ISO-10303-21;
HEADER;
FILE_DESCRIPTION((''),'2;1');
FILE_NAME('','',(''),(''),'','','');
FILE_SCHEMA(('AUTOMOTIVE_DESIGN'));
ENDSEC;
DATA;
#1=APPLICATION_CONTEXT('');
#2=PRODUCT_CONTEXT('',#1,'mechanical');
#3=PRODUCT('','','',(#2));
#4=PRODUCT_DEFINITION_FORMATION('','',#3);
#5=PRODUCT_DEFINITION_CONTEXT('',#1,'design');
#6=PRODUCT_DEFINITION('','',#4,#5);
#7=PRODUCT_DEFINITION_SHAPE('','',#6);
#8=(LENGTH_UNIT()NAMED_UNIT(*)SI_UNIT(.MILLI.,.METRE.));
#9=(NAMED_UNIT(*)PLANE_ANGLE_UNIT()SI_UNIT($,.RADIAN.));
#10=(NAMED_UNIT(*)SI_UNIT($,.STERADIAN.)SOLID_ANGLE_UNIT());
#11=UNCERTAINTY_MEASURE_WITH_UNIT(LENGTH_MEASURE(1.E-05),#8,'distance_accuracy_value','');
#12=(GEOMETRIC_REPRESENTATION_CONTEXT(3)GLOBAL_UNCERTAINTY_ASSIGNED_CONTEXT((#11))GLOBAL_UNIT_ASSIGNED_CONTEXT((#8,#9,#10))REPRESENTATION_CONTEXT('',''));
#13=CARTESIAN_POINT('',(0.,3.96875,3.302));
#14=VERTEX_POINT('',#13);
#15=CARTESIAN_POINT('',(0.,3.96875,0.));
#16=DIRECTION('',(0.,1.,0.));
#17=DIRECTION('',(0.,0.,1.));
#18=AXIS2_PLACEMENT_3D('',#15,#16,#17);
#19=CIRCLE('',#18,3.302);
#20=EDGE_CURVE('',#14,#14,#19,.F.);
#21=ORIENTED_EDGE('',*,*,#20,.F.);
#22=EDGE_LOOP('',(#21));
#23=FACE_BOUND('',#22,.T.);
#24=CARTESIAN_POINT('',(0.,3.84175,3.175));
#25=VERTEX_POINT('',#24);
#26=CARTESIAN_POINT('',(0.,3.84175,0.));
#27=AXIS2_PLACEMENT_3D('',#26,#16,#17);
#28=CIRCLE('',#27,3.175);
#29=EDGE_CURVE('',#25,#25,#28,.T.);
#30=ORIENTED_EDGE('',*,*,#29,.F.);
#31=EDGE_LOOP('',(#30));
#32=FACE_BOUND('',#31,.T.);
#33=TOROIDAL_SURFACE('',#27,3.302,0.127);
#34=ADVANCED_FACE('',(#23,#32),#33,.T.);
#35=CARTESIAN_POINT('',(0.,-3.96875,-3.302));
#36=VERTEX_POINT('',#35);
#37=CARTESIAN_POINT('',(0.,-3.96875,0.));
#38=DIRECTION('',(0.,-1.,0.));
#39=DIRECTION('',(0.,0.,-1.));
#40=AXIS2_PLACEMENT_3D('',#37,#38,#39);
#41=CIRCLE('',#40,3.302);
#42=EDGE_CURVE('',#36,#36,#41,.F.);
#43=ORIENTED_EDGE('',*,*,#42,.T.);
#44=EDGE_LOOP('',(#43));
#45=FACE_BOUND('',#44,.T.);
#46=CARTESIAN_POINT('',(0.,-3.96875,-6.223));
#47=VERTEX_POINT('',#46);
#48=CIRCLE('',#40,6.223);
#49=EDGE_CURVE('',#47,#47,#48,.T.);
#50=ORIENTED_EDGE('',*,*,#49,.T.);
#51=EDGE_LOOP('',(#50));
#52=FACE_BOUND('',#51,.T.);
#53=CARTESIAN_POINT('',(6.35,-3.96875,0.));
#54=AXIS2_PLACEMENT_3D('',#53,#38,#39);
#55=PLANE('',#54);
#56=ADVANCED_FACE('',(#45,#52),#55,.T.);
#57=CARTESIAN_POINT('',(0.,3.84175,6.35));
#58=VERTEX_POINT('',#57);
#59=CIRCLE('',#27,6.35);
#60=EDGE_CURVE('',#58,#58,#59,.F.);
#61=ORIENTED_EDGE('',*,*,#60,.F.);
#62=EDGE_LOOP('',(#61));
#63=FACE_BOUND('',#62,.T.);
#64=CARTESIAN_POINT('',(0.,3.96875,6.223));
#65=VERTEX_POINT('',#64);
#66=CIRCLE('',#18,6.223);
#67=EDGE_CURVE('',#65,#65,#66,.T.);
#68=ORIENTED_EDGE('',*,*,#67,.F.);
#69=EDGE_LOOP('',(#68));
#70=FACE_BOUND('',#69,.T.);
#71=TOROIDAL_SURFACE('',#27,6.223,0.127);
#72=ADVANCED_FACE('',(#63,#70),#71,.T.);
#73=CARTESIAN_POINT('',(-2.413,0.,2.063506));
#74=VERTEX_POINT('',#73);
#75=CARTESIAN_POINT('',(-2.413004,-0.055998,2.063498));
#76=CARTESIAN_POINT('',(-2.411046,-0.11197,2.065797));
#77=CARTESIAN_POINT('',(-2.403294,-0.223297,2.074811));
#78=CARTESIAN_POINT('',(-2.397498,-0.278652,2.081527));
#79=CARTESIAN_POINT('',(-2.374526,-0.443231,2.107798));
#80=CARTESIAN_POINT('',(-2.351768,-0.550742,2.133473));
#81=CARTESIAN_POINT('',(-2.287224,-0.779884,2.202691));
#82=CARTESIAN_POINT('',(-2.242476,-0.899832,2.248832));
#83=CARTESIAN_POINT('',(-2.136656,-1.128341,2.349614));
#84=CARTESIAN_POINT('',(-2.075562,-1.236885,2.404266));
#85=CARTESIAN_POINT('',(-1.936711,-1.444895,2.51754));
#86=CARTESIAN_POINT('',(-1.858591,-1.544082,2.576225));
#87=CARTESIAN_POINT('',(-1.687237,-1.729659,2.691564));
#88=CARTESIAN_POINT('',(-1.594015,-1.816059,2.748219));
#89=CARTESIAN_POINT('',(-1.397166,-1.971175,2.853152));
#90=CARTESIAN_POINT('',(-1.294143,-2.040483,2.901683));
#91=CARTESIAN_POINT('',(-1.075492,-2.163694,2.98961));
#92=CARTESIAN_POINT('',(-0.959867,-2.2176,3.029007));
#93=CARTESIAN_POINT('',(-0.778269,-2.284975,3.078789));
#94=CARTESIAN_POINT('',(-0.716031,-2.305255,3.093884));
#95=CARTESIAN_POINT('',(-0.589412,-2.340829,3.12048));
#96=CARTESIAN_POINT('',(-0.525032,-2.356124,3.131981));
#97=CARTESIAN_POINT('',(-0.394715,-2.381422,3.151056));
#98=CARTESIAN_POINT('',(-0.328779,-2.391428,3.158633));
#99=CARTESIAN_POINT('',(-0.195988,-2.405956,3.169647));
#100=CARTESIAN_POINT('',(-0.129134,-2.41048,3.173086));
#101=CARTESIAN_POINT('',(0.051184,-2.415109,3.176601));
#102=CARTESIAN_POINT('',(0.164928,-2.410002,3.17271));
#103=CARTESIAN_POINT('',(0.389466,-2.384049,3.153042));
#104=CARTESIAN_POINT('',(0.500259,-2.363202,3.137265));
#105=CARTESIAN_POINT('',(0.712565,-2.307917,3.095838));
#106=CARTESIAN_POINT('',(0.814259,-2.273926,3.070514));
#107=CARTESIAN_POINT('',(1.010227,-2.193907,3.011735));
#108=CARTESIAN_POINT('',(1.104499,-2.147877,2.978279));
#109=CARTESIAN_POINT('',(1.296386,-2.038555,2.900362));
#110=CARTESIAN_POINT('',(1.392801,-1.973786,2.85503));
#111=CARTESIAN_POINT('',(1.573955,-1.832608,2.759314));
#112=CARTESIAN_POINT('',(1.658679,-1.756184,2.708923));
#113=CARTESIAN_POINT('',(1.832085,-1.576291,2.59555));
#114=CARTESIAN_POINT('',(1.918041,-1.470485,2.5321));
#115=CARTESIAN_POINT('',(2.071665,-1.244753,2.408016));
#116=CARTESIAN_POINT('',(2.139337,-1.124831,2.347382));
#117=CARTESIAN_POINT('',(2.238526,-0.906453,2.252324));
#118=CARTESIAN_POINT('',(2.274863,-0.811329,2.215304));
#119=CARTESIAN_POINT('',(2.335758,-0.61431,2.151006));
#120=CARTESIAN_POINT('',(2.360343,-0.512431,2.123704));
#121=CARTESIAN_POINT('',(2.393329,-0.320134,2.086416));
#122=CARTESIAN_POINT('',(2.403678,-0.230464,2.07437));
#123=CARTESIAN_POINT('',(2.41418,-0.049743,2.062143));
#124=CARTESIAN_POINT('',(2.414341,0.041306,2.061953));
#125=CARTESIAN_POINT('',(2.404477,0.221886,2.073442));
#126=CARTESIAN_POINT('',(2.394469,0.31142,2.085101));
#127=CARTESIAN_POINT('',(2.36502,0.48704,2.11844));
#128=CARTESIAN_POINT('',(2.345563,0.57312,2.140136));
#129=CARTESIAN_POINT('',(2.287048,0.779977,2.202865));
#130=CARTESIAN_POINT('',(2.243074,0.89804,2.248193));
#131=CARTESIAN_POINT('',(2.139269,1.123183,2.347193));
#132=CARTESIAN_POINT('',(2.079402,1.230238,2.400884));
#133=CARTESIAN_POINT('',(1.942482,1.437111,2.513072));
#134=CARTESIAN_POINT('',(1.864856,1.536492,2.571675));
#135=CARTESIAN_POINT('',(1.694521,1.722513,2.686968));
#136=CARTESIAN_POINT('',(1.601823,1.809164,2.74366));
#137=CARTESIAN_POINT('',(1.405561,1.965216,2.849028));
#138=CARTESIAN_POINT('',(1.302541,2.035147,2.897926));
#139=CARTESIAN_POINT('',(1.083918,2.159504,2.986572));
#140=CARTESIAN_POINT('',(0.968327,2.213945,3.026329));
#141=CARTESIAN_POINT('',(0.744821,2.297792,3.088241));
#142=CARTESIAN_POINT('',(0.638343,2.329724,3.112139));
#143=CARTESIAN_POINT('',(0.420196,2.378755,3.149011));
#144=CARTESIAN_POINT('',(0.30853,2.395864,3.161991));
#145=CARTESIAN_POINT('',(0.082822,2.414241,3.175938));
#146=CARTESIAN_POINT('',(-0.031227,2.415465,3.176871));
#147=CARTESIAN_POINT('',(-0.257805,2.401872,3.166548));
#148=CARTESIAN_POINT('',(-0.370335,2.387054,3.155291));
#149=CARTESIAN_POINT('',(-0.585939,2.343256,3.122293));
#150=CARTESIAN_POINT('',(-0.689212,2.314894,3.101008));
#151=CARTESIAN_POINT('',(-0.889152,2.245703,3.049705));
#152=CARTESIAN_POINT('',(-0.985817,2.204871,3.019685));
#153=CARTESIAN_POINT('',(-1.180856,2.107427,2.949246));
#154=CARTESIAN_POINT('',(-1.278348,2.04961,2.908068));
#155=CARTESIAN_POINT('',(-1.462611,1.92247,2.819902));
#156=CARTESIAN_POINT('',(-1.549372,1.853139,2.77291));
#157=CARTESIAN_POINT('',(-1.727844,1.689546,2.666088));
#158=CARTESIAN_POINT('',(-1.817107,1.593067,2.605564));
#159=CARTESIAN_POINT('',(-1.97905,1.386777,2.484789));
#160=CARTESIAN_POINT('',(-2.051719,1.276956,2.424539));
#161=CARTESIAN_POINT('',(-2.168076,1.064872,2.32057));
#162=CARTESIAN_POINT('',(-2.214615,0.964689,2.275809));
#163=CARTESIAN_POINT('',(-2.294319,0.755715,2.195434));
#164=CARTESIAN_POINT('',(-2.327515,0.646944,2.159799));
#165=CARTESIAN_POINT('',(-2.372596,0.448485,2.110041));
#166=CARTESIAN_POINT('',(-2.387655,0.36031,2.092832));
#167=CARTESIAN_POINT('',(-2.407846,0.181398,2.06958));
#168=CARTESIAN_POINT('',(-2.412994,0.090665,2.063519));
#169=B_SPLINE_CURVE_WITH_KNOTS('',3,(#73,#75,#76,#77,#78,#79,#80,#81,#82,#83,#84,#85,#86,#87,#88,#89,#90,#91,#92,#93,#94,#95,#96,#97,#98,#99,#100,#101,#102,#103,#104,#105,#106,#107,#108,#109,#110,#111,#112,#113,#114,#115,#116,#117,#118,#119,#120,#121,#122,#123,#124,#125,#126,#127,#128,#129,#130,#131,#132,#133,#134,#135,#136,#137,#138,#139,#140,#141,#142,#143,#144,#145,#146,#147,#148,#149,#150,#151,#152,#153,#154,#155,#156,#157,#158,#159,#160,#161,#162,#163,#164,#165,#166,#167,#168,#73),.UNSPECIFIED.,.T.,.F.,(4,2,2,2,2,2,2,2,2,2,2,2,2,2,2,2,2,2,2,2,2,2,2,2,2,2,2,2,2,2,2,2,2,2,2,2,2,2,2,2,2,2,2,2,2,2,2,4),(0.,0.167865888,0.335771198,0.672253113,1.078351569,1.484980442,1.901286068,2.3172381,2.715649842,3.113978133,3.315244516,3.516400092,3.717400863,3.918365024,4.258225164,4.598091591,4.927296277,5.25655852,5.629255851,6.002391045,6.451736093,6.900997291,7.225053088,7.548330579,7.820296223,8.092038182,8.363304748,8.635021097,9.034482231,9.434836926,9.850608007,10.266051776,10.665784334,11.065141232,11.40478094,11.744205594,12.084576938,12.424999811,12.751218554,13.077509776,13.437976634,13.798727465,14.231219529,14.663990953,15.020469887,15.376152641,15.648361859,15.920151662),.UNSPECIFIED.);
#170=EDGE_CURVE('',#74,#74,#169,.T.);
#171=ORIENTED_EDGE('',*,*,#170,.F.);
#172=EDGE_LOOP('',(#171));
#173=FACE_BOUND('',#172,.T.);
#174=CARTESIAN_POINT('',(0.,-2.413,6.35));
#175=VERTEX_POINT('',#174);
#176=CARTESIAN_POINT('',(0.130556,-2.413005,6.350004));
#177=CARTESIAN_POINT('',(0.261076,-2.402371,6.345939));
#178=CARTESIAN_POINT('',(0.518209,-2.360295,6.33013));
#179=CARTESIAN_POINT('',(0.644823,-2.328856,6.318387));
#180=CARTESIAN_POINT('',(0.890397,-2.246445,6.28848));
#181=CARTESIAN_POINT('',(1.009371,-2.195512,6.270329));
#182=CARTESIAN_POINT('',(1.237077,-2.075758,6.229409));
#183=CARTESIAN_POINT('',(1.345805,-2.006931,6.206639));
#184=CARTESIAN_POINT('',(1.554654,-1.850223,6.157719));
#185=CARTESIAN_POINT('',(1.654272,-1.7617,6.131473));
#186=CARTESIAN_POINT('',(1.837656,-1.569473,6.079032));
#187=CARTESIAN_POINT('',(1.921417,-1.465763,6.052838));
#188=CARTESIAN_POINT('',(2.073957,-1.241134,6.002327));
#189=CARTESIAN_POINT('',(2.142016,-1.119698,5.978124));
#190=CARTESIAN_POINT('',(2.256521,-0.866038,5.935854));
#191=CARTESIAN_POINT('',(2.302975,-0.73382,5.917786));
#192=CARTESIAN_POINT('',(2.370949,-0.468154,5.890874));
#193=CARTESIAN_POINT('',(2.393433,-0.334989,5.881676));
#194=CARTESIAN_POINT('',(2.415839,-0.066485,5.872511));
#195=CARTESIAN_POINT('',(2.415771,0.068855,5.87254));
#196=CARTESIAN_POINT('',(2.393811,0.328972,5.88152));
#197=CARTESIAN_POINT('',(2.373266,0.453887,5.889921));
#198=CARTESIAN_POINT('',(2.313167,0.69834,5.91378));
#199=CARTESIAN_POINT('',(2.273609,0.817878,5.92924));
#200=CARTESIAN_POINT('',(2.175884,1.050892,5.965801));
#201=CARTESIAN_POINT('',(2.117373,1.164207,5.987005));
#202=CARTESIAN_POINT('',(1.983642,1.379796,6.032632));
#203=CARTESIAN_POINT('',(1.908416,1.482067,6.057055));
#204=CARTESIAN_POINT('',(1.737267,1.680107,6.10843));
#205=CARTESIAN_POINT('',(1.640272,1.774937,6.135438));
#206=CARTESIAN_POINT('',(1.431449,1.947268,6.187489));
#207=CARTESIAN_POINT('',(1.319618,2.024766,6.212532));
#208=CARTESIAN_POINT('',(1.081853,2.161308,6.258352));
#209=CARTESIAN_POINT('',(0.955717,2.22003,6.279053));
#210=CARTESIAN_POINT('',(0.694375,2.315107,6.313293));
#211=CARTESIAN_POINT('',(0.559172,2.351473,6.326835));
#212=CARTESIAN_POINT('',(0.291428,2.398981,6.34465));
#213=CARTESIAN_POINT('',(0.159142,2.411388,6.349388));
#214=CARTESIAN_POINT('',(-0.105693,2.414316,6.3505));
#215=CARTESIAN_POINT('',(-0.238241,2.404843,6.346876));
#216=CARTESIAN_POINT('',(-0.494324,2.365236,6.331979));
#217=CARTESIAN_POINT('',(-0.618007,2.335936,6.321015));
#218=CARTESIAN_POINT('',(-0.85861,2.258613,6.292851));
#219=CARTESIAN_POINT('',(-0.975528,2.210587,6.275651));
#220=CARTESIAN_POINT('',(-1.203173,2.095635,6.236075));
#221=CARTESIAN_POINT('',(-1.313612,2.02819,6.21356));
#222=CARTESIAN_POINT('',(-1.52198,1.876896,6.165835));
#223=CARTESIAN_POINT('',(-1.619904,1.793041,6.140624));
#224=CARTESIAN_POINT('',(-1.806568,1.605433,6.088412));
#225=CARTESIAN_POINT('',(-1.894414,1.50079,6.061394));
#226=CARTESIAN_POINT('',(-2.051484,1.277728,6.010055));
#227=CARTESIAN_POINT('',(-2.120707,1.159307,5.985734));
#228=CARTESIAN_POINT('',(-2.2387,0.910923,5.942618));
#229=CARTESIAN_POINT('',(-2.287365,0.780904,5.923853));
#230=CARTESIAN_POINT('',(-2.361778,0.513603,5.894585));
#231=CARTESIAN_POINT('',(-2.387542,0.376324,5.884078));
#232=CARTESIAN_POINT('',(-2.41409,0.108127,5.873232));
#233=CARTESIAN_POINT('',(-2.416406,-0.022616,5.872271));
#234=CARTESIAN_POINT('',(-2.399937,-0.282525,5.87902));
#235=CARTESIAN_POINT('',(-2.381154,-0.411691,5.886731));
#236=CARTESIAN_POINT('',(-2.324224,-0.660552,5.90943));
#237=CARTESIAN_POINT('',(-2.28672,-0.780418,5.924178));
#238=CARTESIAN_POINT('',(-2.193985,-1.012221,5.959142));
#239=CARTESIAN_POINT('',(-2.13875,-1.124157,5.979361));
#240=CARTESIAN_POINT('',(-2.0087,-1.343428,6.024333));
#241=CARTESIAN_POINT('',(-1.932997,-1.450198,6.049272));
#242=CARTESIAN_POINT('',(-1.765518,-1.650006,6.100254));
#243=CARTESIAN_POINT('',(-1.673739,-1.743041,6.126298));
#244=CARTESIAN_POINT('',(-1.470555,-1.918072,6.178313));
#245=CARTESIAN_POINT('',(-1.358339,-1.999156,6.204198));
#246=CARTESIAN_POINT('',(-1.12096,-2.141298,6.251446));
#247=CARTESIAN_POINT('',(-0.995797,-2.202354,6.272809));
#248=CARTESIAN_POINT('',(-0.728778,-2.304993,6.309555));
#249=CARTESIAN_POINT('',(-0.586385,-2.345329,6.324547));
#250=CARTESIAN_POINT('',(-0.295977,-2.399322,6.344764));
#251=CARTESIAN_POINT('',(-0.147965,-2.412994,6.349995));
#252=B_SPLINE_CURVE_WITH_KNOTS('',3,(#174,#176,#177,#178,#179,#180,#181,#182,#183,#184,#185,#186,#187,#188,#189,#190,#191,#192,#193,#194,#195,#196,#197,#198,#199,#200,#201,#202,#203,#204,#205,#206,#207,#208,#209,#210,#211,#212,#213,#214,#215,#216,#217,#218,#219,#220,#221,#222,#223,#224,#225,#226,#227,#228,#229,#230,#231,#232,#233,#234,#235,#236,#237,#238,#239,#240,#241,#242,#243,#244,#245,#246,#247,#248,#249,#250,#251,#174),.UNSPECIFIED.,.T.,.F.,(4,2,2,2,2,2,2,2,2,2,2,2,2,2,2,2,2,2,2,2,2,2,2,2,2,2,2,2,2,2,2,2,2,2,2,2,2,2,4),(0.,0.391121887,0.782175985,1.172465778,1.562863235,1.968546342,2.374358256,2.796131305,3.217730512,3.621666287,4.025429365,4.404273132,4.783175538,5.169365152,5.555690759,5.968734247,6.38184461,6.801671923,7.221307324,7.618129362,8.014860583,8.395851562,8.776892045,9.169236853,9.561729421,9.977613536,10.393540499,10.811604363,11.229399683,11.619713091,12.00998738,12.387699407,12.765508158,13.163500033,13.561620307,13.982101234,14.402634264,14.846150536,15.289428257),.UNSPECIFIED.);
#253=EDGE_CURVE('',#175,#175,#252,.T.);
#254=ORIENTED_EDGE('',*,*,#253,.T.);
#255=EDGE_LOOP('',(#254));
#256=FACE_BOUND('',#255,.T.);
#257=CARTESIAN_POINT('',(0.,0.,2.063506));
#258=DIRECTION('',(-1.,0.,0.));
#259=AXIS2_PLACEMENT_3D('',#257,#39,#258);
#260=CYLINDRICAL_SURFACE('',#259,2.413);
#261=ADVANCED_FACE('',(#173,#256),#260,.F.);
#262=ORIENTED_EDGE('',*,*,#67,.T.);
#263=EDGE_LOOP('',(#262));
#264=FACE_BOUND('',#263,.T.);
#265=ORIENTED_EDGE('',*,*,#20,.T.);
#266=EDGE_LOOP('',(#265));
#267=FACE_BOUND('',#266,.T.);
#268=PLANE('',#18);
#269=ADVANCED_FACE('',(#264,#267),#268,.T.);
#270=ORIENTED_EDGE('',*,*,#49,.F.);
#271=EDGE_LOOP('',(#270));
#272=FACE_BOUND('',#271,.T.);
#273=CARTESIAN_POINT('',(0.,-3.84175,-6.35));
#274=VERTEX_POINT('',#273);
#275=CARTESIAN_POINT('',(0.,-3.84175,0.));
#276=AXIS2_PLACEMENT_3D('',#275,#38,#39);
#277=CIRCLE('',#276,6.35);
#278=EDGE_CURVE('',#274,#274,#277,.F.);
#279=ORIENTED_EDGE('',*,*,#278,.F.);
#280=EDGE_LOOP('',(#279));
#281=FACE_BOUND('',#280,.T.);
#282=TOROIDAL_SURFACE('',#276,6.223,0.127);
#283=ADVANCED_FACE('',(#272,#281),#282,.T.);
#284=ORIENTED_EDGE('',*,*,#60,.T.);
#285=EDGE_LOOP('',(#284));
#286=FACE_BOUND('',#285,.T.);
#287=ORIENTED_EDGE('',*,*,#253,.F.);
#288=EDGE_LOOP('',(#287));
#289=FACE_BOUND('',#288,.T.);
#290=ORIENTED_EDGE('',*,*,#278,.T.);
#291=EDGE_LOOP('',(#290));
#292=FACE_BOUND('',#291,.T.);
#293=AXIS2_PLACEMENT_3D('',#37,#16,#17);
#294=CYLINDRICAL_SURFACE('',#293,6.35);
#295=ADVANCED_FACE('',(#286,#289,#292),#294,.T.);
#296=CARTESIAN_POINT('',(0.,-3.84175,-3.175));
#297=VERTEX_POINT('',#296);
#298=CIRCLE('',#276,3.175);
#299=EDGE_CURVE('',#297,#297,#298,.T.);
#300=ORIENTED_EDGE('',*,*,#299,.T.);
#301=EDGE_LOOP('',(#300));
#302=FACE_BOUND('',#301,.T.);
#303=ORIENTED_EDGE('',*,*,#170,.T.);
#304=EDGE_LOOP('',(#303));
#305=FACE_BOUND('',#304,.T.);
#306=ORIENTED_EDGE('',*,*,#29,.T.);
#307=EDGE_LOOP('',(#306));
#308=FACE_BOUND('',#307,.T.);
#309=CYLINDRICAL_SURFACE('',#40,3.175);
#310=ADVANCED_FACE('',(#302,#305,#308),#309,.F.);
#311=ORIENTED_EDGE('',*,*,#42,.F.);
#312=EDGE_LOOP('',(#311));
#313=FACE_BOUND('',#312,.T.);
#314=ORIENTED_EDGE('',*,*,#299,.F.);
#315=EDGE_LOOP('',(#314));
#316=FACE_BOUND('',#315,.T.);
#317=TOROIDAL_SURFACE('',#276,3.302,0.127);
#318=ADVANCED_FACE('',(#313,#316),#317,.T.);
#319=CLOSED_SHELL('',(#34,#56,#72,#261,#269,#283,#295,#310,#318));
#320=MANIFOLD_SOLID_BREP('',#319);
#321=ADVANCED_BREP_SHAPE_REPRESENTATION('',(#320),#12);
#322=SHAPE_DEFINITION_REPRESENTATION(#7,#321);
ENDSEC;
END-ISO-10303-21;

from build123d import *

# Parameters (mm, degrees)
SKETCH_1_W          = 6.35
SKETCH_1_H          = 7.9375
HOLE_WIZARD_1_D     = 6.35
HOLE_WIZARD_1_DEPTH = 7.9375
SKETCH_4_W          = 2.413
SKETCH_4_H          = 4.286494245
FILLET_1_R          = 0.127


with BuildPart() as part:
    # 草图1 → 旋转1 (revolve)
    with BuildSketch(Plane(origin=(0, 0, 0), x_dir=(-1, 0, 0), z_dir=(0, 0, -1))):
        with Locations((-3.175, 0)):
            Rectangle(SKETCH_1_W, SKETCH_1_H)
    revolve(axis=Axis((0, -3.96875, 0), (0, 1, 0)))

    # 孔1
    with Locations(Plane(origin=(0, -3.96875, 0), x_dir=(-1, 0, 0), z_dir=(0, -1, 0))):
        with Locations((0, 0)):
            Hole(HOLE_WIZARD_1_D / 2, depth=HOLE_WIZARD_1_DEPTH)

    # 草图4 → 孔2 (revolve, cut)
    with BuildSketch(Plane(origin=(0, 0, 2.063505755), x_dir=(0, 1, 0), z_dir=(1, 0, 0))):
        with Locations((1.2065, 2.143247123)):
            Rectangle(SKETCH_4_W, SKETCH_4_H)
    revolve(axis=Axis((0, 0, 112.063505755), (0, 0, -1)), mode=Mode.SUBTRACT)

    # 圆角1
    fillet_1_edges = [part.edges().sort_by_distance(p)[0] for p in [
        (-3.175, -3.96875, 0),
        (-3.175, 3.96875, 0),
        (-6.35, 3.96875, 0),
        (-6.35, -3.96875, 0),
    ]]
    fillet(fillet_1_edges, radius=FILLET_1_R)


solid = part.part
